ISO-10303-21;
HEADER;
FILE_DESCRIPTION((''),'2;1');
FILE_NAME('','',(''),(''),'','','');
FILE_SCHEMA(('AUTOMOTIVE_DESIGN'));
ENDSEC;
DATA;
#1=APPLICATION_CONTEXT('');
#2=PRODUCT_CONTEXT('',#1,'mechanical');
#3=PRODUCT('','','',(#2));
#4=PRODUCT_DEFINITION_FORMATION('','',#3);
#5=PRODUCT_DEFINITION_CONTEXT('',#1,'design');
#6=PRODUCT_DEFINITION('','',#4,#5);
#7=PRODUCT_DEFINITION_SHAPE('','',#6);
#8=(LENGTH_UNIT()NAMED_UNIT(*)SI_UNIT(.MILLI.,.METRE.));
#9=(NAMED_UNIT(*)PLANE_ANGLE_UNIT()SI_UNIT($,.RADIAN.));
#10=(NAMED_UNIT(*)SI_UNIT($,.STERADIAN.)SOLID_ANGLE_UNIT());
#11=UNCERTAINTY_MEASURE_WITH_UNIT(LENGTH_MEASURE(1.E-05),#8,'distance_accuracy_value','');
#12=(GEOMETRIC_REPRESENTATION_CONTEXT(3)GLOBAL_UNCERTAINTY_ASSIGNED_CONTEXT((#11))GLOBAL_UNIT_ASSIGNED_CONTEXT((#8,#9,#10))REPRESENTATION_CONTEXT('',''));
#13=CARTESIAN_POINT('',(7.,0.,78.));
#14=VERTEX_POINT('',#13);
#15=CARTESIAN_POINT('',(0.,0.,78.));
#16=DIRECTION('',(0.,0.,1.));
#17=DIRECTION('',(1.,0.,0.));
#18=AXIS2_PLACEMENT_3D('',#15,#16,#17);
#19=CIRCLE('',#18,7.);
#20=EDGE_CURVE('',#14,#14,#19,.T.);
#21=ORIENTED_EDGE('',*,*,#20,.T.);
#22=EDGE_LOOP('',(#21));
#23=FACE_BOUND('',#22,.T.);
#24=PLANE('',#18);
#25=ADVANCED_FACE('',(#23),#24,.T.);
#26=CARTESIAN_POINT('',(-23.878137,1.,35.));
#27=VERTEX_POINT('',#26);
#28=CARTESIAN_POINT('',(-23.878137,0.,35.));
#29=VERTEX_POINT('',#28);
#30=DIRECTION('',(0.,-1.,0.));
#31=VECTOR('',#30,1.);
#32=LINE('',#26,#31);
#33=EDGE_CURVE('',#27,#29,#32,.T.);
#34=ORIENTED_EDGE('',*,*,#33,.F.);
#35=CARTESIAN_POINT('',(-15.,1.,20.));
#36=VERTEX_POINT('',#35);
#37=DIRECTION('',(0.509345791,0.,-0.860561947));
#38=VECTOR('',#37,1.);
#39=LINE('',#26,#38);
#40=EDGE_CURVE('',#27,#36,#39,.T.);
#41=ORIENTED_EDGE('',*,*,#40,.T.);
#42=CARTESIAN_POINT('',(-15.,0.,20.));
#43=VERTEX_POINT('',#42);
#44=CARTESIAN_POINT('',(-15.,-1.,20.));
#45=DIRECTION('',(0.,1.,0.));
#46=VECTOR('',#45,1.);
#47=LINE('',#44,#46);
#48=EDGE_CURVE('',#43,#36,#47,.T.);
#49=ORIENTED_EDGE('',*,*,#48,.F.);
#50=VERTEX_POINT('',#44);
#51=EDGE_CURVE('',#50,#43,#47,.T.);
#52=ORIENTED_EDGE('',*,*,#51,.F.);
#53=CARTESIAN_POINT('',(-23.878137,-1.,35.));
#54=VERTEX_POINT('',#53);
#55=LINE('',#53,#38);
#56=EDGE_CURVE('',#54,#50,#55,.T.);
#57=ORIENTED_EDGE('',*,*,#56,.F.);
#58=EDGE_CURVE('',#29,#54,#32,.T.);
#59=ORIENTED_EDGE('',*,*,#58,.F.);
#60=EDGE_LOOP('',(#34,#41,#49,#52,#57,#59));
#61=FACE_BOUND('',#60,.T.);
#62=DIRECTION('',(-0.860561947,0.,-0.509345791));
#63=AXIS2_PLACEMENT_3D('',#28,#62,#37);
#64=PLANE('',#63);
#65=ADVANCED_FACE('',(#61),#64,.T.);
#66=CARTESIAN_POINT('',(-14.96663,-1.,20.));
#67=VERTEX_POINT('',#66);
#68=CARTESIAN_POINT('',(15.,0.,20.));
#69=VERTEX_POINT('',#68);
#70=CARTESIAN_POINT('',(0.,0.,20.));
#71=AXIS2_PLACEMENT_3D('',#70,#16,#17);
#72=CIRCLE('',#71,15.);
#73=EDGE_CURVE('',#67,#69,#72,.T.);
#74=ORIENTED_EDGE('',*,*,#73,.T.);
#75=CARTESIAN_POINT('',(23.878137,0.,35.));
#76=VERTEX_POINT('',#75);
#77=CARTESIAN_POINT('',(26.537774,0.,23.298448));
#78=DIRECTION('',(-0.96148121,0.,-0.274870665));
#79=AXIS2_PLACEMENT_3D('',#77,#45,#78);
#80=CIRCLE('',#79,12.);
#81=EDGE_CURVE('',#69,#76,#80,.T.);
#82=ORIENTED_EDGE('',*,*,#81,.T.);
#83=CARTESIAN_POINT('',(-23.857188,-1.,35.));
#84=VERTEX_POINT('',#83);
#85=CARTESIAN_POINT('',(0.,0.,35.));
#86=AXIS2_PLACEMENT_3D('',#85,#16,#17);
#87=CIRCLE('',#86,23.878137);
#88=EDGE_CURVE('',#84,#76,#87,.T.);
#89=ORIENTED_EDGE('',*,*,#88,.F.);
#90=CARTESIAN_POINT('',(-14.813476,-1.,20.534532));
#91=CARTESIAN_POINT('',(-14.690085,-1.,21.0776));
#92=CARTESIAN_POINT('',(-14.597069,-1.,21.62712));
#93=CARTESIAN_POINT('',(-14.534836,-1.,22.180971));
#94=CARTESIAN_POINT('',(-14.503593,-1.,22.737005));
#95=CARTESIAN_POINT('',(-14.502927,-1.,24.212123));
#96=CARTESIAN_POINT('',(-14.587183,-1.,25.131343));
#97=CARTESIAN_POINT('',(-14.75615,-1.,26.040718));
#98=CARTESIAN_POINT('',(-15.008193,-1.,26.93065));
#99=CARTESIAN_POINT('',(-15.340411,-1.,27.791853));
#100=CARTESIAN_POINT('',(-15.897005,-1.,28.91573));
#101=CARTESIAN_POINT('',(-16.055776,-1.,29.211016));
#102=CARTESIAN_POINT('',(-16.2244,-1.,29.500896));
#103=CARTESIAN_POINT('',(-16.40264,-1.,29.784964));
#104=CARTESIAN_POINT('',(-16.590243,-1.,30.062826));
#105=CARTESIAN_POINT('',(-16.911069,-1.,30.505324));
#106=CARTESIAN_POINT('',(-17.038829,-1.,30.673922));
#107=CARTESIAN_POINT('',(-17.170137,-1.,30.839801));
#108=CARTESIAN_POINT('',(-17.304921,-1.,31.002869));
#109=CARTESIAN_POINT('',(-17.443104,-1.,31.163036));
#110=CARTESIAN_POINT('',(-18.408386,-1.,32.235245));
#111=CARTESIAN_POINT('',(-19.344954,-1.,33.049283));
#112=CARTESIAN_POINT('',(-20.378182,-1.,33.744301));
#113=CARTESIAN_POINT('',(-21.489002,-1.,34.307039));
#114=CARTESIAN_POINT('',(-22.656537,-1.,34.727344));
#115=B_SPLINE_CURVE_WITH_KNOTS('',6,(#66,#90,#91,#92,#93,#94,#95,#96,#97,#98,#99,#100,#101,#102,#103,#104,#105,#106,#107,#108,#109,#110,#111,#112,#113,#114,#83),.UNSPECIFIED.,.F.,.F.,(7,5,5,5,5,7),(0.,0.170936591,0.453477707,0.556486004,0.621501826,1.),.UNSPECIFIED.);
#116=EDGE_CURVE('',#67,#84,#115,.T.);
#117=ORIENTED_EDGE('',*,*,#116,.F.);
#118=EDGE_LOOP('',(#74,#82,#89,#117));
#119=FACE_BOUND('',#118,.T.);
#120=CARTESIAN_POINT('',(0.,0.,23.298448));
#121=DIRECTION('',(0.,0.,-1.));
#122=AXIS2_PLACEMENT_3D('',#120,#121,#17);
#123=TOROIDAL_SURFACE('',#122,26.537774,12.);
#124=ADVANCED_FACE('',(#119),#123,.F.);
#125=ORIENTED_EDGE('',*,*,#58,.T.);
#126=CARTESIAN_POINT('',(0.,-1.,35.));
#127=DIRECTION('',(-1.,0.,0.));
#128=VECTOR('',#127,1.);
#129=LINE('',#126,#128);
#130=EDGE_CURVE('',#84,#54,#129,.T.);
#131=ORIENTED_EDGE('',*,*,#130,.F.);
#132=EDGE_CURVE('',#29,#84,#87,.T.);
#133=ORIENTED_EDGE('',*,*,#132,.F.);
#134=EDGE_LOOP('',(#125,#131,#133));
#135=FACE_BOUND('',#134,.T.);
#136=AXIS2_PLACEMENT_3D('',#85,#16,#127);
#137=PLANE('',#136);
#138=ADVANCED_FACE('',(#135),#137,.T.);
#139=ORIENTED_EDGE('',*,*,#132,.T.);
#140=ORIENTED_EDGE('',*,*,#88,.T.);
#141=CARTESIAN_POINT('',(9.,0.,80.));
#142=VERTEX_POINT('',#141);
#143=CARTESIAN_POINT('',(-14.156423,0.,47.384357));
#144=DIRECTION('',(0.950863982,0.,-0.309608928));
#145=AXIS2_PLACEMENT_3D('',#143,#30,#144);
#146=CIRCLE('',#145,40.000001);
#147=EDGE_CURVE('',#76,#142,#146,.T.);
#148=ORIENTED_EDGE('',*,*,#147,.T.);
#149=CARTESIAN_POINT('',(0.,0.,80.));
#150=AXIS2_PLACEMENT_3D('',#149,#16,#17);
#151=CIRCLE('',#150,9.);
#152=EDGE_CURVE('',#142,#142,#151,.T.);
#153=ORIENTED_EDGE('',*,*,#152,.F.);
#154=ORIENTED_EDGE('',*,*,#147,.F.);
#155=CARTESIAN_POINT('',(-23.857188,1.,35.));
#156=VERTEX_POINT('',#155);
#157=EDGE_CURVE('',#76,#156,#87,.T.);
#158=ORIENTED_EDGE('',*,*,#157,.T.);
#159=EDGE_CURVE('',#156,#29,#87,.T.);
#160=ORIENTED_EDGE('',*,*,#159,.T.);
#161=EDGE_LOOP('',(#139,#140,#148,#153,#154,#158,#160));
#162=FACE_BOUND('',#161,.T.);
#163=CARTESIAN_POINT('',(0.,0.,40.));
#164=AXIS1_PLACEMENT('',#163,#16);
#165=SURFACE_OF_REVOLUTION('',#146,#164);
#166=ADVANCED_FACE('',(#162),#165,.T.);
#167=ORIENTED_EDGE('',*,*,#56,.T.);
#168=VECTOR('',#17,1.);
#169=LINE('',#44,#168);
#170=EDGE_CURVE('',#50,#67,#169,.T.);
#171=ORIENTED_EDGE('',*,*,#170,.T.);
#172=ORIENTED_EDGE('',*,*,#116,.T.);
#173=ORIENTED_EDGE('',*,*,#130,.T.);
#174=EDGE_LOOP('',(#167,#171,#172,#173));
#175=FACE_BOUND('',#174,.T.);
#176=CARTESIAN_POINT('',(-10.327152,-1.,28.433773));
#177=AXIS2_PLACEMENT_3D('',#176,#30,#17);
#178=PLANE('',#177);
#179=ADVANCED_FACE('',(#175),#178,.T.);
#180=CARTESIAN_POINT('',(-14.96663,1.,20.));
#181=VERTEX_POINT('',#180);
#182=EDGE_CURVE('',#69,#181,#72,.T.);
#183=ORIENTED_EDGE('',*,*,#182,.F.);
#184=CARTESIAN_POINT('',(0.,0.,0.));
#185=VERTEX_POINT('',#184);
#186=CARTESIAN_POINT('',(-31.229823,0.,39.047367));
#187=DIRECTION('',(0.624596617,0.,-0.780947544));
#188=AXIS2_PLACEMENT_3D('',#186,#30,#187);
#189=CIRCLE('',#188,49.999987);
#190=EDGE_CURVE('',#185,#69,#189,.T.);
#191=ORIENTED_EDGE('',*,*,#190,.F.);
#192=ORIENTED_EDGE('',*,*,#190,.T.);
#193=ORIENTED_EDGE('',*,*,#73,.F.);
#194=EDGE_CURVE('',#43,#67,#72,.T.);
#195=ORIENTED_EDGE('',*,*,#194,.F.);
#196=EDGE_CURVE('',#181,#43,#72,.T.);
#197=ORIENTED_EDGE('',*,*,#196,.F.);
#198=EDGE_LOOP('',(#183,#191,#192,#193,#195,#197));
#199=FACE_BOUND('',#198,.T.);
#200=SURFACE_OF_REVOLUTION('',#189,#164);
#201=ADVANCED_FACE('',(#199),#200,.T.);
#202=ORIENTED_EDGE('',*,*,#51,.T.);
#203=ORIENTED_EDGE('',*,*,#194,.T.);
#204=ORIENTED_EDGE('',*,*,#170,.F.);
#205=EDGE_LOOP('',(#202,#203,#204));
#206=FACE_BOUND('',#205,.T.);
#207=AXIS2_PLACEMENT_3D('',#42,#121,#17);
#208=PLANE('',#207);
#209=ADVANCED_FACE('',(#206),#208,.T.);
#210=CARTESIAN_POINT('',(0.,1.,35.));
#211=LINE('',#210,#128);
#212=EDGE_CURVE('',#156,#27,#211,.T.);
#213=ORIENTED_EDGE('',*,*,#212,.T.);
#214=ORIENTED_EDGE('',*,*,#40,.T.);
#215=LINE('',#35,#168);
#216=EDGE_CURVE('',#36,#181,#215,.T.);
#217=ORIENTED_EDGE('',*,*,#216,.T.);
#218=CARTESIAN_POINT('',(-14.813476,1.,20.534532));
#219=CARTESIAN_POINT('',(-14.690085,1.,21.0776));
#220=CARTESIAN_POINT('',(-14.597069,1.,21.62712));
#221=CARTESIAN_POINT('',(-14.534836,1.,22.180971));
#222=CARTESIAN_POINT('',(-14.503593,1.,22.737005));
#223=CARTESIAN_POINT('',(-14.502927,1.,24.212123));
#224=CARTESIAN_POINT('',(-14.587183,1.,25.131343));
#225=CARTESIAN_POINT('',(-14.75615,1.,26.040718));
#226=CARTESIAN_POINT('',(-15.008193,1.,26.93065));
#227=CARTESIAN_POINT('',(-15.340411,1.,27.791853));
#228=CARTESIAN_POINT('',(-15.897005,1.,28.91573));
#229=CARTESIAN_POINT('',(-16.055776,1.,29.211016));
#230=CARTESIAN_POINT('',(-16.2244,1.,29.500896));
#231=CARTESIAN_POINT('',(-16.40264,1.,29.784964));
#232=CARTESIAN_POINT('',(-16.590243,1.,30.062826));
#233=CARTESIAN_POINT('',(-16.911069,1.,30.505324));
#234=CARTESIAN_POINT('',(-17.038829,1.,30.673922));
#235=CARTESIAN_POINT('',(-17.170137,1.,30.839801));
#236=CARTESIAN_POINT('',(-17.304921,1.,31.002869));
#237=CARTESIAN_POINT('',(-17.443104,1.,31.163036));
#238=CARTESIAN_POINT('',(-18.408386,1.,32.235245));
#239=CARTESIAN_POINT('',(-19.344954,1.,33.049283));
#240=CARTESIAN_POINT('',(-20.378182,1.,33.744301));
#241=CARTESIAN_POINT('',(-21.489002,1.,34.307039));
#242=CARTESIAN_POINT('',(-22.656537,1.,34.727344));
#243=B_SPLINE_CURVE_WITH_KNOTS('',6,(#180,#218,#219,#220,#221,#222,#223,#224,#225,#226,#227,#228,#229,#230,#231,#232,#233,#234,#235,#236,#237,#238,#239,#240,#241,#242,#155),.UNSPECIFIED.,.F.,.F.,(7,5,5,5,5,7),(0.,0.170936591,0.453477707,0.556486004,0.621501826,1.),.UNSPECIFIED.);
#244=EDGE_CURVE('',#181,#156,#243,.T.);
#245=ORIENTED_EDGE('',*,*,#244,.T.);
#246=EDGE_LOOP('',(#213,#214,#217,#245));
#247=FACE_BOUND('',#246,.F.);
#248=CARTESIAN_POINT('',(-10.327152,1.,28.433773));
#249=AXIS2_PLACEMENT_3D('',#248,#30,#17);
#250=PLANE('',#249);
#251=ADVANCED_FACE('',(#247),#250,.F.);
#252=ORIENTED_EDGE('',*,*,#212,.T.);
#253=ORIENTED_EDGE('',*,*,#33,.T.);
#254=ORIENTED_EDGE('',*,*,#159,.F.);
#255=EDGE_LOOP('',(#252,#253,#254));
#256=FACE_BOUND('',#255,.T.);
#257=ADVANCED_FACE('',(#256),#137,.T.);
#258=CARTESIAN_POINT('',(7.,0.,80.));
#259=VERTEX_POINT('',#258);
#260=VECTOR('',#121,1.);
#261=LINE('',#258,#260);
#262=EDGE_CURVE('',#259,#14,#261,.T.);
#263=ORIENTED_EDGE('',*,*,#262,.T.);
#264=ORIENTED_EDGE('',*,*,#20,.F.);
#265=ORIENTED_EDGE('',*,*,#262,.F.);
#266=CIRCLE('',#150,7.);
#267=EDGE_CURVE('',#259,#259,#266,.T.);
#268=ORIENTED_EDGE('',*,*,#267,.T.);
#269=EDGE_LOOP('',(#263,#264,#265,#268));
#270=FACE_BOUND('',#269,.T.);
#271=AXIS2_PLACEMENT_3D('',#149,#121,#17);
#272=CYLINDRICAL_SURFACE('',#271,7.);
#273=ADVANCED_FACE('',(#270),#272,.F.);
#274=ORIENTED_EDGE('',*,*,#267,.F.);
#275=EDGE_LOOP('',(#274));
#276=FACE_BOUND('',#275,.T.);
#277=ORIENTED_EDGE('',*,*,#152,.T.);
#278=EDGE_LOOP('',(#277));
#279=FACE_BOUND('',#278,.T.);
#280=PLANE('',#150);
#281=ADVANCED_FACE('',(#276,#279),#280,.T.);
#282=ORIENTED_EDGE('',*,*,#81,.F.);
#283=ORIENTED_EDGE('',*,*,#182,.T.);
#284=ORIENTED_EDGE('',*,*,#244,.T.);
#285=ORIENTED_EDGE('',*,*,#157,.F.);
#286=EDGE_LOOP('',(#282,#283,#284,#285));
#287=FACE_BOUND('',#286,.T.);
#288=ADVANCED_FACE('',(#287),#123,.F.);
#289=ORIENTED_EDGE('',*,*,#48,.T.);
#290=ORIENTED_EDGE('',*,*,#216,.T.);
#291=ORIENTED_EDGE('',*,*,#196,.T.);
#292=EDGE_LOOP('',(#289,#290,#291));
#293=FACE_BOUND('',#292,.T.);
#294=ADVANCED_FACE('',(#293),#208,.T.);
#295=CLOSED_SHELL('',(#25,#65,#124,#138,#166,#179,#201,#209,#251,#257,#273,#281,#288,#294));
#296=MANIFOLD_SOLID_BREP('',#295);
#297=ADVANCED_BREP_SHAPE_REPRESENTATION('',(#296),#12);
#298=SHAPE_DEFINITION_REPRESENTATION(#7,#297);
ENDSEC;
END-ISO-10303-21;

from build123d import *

# Parameters (mm, degrees)
F3_DEPTH = 1


with BuildPart() as f1:
    # F0 (on Front) → F1 (revolve)
    with BuildSketch(Plane.XZ):
        with BuildLine():
            Line((0, 78), (0, 35))
            Line((0, 35), (23.878137, 35))
            ThreePointArc((23.878137, 35), (23.821651, 59.940868), (9, 80))
            Line((9, 80), (7, 80))
            Line((7, 80), (7, 78))
            Line((7, 78), (0, 78))
        make_face()
        with BuildLine():
            Line((0, 35), (0, 20))
            Line((0, 20), (15, 20))
            ThreePointArc((15, 20), (16.211031, 29.410597), (23.878137, 35))
            Line((23.878137, 35), (0, 35))
        make_face()
        with BuildLine():
            Line((0, 20), (0, 0))
            ThreePointArc((0, 0), (8.770167, 9.047375), (15, 20))
            Line((15, 20), (0, 20))
        make_face()
    revolve(axis=Axis((0, 0, 40), (0, 0, 1)))

    # F2 (on Front) → F3 (join, symmetric)
    with BuildSketch(Plane.XZ):
        Polygon((0, 20), (0, 35), (-23.878137, 35), (-15, 20), align=None)
    extrude(amount=F3_DEPTH, both=True)


solid = f1.part
